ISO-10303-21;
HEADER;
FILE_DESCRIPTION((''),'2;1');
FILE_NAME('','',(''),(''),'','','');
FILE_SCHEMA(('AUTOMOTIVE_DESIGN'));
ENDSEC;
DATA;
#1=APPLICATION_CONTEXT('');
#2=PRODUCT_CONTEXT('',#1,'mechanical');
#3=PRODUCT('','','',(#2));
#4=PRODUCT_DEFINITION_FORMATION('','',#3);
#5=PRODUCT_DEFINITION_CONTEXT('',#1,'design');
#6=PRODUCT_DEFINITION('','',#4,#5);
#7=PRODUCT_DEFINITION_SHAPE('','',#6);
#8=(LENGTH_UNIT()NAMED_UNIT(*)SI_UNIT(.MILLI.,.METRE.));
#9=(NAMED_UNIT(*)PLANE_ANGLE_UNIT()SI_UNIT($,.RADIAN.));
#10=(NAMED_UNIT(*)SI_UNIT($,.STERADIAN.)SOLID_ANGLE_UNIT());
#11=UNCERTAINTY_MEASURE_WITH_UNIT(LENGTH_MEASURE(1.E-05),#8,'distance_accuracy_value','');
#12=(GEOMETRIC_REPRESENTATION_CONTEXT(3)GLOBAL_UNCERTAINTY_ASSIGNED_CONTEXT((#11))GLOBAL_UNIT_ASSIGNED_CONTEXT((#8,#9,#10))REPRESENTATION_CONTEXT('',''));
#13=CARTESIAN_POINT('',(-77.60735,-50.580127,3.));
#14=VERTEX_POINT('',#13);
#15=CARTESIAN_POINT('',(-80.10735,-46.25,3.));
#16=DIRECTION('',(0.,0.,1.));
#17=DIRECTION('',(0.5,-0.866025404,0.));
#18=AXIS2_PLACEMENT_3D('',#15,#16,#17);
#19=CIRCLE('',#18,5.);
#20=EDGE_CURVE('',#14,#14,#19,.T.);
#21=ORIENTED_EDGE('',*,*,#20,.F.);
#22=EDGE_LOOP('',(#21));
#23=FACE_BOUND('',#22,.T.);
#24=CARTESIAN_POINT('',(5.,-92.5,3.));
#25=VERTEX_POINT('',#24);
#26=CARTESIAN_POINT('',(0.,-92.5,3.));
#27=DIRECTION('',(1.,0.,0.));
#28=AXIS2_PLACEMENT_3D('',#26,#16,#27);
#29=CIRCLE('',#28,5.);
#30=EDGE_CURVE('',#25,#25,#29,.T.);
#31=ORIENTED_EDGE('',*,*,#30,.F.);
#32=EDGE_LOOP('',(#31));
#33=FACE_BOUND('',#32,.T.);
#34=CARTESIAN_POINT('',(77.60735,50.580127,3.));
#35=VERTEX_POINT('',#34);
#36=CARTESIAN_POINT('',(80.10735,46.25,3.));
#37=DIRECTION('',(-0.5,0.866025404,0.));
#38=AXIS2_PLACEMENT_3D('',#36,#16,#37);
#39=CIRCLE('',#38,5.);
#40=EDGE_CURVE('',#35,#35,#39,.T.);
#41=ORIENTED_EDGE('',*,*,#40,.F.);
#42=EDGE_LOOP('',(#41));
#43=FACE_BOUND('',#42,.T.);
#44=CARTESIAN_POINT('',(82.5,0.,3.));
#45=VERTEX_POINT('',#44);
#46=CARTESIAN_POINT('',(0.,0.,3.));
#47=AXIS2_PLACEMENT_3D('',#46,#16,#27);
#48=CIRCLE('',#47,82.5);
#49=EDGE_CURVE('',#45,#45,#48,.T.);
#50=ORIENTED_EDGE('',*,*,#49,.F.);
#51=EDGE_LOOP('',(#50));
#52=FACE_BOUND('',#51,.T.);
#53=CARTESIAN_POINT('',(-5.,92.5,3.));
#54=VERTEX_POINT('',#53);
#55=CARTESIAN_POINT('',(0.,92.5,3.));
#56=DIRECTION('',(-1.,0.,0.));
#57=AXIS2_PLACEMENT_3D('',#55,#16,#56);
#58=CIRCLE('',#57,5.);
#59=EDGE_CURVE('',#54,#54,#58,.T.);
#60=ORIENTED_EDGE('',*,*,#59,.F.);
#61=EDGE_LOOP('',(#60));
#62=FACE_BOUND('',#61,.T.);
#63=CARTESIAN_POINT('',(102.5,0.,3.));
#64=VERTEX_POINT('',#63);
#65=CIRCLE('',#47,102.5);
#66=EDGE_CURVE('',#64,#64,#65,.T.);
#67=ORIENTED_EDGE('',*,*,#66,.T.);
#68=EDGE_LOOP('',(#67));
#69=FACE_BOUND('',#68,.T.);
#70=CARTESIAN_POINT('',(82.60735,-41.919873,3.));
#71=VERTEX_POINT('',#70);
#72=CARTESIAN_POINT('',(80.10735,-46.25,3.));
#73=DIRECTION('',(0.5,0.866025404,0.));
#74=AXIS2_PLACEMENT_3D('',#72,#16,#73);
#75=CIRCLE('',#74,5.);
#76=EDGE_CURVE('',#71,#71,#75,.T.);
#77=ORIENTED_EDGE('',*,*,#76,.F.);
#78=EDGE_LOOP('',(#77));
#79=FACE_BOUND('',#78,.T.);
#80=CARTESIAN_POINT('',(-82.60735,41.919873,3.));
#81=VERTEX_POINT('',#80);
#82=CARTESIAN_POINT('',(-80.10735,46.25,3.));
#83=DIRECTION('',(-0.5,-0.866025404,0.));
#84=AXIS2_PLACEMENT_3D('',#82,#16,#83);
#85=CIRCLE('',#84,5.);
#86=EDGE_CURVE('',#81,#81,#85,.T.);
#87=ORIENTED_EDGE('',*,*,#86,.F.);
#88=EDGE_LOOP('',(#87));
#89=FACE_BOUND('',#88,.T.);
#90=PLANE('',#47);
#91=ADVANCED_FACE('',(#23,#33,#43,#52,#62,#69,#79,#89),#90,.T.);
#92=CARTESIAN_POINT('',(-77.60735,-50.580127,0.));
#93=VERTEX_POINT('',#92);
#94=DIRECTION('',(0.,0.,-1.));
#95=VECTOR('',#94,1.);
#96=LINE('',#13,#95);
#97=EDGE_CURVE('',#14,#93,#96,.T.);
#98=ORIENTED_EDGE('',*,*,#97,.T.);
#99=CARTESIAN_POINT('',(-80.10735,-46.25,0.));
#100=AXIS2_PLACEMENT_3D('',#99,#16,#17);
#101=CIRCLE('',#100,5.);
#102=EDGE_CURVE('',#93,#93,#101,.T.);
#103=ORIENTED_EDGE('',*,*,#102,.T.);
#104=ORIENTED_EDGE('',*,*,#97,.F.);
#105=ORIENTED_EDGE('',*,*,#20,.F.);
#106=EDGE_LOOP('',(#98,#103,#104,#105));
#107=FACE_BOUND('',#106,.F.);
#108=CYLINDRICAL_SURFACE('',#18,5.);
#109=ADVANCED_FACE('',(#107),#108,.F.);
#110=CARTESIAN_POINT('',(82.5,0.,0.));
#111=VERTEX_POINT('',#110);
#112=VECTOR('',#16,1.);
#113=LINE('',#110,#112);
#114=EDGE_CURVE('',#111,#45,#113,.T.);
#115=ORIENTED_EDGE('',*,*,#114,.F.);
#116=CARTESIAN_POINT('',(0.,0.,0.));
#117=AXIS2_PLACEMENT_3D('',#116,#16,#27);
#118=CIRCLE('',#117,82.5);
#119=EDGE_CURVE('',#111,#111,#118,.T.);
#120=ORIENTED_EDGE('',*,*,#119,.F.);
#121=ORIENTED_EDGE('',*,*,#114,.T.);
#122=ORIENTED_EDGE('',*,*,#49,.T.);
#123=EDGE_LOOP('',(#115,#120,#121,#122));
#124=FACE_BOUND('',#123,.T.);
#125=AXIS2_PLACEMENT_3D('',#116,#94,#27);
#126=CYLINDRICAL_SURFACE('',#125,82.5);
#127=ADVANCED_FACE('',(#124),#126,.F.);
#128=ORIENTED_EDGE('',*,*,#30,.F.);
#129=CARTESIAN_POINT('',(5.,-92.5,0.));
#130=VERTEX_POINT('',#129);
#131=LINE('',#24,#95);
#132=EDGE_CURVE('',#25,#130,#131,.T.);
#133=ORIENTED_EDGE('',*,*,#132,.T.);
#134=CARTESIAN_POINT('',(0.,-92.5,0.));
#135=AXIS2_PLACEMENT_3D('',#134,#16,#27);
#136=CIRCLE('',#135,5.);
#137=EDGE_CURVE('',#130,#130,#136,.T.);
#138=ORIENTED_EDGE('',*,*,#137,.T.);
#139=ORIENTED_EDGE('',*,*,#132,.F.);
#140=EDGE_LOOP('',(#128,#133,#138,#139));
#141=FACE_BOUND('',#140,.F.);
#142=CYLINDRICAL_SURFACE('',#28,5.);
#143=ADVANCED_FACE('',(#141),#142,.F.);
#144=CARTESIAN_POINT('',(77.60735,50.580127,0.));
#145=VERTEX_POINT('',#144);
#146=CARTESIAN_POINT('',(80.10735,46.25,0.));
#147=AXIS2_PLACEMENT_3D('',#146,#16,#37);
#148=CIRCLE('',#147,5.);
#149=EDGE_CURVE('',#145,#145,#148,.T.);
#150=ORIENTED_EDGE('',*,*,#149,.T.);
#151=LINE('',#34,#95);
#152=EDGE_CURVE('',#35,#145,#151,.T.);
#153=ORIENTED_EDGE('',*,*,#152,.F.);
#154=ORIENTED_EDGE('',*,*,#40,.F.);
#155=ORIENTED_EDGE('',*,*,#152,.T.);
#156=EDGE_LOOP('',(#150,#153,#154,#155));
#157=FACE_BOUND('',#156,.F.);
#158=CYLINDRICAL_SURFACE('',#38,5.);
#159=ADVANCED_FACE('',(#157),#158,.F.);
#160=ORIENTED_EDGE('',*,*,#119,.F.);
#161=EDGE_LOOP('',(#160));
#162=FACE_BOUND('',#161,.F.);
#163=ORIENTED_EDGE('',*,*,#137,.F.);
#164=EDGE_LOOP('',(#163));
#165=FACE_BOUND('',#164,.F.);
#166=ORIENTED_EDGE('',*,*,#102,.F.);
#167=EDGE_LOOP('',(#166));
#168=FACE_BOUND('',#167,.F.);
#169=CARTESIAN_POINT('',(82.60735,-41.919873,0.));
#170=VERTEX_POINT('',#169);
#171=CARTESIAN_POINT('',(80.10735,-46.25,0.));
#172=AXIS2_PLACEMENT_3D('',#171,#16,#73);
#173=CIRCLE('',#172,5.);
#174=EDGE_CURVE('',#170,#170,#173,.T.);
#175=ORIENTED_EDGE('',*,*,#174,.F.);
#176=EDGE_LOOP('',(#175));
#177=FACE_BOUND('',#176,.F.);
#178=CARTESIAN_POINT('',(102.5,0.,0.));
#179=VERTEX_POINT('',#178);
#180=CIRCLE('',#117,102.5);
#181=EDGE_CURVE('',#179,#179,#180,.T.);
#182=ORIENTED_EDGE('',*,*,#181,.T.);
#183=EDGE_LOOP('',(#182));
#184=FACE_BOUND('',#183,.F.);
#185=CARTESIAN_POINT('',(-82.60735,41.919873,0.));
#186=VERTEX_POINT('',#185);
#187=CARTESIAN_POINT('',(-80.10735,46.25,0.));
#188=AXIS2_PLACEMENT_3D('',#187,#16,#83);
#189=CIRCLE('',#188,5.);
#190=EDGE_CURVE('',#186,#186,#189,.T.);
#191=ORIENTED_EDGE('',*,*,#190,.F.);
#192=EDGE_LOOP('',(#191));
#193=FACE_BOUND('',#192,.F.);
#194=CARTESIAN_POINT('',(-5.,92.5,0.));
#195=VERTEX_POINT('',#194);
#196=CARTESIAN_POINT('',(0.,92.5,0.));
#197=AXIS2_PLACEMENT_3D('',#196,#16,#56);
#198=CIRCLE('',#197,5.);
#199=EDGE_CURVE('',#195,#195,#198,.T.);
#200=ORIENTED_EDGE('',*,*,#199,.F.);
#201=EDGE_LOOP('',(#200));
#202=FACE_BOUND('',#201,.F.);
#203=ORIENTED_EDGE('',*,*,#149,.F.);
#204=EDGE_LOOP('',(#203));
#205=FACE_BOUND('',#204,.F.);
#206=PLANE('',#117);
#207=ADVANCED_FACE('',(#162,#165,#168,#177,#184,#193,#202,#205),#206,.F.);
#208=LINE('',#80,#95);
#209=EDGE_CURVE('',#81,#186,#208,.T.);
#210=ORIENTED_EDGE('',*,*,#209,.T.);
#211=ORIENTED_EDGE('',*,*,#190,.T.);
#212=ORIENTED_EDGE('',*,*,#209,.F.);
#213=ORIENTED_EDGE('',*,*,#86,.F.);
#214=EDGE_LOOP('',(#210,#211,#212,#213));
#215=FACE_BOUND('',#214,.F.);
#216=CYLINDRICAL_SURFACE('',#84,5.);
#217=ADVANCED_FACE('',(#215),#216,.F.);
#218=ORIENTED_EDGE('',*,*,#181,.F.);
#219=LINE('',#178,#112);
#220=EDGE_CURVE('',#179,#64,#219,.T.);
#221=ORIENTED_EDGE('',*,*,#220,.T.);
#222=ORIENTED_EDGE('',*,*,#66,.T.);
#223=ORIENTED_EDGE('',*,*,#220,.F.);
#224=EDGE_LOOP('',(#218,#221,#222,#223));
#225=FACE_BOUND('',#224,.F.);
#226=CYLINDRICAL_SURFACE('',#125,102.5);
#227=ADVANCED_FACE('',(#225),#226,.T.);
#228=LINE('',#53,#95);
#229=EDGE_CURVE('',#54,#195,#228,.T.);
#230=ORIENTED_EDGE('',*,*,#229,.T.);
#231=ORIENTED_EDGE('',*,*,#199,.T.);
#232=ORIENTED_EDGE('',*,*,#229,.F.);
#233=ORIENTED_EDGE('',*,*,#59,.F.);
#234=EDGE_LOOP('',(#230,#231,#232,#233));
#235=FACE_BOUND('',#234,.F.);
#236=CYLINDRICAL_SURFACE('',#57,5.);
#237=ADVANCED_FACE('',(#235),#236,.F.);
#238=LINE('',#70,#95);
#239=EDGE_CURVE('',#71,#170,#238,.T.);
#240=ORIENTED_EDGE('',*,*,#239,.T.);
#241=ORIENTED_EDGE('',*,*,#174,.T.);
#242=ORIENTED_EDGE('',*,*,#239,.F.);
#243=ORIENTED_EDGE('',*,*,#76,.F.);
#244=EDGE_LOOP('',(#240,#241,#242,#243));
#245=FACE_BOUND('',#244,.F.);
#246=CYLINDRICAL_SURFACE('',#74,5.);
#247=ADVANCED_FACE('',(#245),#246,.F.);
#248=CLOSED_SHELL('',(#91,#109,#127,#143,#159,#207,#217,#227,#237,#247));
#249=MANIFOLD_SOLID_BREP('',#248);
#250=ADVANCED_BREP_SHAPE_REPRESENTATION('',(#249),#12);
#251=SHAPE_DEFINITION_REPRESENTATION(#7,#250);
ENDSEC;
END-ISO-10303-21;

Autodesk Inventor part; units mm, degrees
ref_plane "YZ Plane" through (0, 0, 0) normal (1, 0, 0) x (0, 1, 0)
ref_plane "XZ Plane" through (0, 0, 0) normal (0, 1, 0) x (-1, 0, 0)
ref_plane "XY Plane" through (0, 0, 0) normal (0, 0, 1) x (1, 0, 0)
sketch "Sketch1" plane through (0, 0, 0) normal (0, 0, 1) x (1, 0, 0)
  circle A0 centre (0, 0) radius 82.5
  circle A1 centre (0, 0) radius 102.5
  circle A2 centre (0, 0) radius 92.5 construction
  line L0 (0, 102.5) -> (0, 82.5) construction
  point P0 (0, 92.5)
  dimension "d30" = 165
  dimension "d32" = 205
extrude "Plate1" add sketch "Sketch1" along normal blind 3
sketch "Sketch2" plane through (0, 0, 3) normal (0, 0, 1) x (1, 0, 0)
  circle A0 centre (0, 0) radius 82.5 construction
  circle A1 centre (0, 0) radius 102.5 construction
  circle A2 centre (0, 0) radius 102.5 construction
  circle A3 centre (0, 0) radius 82.5 construction
  circle A4 centre (0, -92.5) radius 5
  circle A5 centre (0, 0) radius 92.5 construction
  dimension "d31" = 185
  dimension "d21" = 10
extrude "Extrusion1" cut sketch "Sketch2" against normal through all
pattern_circular "Circular Pattern2" count 6 over 360 about axis through (0, 0, 0) along (0, 0, 1) of "Extrusion1"
equation "\"d30\" = back_steel_circle_внутр_диам"
equation "\"d32\" = back_steel_circle_внутр_диам + back_steel_circle_ширина_кольца"
equation "\"d31\" = back_steel_circle_диам_центров"
equation "\"d21\" = back_steel_circle_диам_шпильки"
equation "\"d2\" = Thickness"
equation "\"BendRadius\" = Thickness"
equation "\"BendReliefWidth\" = Thickness"
equation "\"BendReliefDepth\" = 0.5 * Thickness"
equation "\"CornerReliefSize\" = 4 * Thickness"
equation "\"MinimumRemnant\" = 2 * Thickness"
equation "\"TransitionRadius\" = BendRadius"
equation "\"JacobiRadiusSize\" = BendRadius"
equation "\"GapSize\" = Thickness"
equation "\"back_steel_circle_диам_центров\" = back_steel_circle_внутр_диам + 0.5 * back_steel_circle_ширина_кольца"
equation "\"back_steel_circle_диам_шпильки\" = 10"
equation "\"back_steel_circle_проходной_диаметр\" = 125"
equation "\"back_steel_circle_внутр_диам\" = 165"
equation "\"back_steel_circle_ширина_кольца\" = 40"
equation "\"Thickness\" = 3"
properties part number "NVPH-321 joint steel ring"
